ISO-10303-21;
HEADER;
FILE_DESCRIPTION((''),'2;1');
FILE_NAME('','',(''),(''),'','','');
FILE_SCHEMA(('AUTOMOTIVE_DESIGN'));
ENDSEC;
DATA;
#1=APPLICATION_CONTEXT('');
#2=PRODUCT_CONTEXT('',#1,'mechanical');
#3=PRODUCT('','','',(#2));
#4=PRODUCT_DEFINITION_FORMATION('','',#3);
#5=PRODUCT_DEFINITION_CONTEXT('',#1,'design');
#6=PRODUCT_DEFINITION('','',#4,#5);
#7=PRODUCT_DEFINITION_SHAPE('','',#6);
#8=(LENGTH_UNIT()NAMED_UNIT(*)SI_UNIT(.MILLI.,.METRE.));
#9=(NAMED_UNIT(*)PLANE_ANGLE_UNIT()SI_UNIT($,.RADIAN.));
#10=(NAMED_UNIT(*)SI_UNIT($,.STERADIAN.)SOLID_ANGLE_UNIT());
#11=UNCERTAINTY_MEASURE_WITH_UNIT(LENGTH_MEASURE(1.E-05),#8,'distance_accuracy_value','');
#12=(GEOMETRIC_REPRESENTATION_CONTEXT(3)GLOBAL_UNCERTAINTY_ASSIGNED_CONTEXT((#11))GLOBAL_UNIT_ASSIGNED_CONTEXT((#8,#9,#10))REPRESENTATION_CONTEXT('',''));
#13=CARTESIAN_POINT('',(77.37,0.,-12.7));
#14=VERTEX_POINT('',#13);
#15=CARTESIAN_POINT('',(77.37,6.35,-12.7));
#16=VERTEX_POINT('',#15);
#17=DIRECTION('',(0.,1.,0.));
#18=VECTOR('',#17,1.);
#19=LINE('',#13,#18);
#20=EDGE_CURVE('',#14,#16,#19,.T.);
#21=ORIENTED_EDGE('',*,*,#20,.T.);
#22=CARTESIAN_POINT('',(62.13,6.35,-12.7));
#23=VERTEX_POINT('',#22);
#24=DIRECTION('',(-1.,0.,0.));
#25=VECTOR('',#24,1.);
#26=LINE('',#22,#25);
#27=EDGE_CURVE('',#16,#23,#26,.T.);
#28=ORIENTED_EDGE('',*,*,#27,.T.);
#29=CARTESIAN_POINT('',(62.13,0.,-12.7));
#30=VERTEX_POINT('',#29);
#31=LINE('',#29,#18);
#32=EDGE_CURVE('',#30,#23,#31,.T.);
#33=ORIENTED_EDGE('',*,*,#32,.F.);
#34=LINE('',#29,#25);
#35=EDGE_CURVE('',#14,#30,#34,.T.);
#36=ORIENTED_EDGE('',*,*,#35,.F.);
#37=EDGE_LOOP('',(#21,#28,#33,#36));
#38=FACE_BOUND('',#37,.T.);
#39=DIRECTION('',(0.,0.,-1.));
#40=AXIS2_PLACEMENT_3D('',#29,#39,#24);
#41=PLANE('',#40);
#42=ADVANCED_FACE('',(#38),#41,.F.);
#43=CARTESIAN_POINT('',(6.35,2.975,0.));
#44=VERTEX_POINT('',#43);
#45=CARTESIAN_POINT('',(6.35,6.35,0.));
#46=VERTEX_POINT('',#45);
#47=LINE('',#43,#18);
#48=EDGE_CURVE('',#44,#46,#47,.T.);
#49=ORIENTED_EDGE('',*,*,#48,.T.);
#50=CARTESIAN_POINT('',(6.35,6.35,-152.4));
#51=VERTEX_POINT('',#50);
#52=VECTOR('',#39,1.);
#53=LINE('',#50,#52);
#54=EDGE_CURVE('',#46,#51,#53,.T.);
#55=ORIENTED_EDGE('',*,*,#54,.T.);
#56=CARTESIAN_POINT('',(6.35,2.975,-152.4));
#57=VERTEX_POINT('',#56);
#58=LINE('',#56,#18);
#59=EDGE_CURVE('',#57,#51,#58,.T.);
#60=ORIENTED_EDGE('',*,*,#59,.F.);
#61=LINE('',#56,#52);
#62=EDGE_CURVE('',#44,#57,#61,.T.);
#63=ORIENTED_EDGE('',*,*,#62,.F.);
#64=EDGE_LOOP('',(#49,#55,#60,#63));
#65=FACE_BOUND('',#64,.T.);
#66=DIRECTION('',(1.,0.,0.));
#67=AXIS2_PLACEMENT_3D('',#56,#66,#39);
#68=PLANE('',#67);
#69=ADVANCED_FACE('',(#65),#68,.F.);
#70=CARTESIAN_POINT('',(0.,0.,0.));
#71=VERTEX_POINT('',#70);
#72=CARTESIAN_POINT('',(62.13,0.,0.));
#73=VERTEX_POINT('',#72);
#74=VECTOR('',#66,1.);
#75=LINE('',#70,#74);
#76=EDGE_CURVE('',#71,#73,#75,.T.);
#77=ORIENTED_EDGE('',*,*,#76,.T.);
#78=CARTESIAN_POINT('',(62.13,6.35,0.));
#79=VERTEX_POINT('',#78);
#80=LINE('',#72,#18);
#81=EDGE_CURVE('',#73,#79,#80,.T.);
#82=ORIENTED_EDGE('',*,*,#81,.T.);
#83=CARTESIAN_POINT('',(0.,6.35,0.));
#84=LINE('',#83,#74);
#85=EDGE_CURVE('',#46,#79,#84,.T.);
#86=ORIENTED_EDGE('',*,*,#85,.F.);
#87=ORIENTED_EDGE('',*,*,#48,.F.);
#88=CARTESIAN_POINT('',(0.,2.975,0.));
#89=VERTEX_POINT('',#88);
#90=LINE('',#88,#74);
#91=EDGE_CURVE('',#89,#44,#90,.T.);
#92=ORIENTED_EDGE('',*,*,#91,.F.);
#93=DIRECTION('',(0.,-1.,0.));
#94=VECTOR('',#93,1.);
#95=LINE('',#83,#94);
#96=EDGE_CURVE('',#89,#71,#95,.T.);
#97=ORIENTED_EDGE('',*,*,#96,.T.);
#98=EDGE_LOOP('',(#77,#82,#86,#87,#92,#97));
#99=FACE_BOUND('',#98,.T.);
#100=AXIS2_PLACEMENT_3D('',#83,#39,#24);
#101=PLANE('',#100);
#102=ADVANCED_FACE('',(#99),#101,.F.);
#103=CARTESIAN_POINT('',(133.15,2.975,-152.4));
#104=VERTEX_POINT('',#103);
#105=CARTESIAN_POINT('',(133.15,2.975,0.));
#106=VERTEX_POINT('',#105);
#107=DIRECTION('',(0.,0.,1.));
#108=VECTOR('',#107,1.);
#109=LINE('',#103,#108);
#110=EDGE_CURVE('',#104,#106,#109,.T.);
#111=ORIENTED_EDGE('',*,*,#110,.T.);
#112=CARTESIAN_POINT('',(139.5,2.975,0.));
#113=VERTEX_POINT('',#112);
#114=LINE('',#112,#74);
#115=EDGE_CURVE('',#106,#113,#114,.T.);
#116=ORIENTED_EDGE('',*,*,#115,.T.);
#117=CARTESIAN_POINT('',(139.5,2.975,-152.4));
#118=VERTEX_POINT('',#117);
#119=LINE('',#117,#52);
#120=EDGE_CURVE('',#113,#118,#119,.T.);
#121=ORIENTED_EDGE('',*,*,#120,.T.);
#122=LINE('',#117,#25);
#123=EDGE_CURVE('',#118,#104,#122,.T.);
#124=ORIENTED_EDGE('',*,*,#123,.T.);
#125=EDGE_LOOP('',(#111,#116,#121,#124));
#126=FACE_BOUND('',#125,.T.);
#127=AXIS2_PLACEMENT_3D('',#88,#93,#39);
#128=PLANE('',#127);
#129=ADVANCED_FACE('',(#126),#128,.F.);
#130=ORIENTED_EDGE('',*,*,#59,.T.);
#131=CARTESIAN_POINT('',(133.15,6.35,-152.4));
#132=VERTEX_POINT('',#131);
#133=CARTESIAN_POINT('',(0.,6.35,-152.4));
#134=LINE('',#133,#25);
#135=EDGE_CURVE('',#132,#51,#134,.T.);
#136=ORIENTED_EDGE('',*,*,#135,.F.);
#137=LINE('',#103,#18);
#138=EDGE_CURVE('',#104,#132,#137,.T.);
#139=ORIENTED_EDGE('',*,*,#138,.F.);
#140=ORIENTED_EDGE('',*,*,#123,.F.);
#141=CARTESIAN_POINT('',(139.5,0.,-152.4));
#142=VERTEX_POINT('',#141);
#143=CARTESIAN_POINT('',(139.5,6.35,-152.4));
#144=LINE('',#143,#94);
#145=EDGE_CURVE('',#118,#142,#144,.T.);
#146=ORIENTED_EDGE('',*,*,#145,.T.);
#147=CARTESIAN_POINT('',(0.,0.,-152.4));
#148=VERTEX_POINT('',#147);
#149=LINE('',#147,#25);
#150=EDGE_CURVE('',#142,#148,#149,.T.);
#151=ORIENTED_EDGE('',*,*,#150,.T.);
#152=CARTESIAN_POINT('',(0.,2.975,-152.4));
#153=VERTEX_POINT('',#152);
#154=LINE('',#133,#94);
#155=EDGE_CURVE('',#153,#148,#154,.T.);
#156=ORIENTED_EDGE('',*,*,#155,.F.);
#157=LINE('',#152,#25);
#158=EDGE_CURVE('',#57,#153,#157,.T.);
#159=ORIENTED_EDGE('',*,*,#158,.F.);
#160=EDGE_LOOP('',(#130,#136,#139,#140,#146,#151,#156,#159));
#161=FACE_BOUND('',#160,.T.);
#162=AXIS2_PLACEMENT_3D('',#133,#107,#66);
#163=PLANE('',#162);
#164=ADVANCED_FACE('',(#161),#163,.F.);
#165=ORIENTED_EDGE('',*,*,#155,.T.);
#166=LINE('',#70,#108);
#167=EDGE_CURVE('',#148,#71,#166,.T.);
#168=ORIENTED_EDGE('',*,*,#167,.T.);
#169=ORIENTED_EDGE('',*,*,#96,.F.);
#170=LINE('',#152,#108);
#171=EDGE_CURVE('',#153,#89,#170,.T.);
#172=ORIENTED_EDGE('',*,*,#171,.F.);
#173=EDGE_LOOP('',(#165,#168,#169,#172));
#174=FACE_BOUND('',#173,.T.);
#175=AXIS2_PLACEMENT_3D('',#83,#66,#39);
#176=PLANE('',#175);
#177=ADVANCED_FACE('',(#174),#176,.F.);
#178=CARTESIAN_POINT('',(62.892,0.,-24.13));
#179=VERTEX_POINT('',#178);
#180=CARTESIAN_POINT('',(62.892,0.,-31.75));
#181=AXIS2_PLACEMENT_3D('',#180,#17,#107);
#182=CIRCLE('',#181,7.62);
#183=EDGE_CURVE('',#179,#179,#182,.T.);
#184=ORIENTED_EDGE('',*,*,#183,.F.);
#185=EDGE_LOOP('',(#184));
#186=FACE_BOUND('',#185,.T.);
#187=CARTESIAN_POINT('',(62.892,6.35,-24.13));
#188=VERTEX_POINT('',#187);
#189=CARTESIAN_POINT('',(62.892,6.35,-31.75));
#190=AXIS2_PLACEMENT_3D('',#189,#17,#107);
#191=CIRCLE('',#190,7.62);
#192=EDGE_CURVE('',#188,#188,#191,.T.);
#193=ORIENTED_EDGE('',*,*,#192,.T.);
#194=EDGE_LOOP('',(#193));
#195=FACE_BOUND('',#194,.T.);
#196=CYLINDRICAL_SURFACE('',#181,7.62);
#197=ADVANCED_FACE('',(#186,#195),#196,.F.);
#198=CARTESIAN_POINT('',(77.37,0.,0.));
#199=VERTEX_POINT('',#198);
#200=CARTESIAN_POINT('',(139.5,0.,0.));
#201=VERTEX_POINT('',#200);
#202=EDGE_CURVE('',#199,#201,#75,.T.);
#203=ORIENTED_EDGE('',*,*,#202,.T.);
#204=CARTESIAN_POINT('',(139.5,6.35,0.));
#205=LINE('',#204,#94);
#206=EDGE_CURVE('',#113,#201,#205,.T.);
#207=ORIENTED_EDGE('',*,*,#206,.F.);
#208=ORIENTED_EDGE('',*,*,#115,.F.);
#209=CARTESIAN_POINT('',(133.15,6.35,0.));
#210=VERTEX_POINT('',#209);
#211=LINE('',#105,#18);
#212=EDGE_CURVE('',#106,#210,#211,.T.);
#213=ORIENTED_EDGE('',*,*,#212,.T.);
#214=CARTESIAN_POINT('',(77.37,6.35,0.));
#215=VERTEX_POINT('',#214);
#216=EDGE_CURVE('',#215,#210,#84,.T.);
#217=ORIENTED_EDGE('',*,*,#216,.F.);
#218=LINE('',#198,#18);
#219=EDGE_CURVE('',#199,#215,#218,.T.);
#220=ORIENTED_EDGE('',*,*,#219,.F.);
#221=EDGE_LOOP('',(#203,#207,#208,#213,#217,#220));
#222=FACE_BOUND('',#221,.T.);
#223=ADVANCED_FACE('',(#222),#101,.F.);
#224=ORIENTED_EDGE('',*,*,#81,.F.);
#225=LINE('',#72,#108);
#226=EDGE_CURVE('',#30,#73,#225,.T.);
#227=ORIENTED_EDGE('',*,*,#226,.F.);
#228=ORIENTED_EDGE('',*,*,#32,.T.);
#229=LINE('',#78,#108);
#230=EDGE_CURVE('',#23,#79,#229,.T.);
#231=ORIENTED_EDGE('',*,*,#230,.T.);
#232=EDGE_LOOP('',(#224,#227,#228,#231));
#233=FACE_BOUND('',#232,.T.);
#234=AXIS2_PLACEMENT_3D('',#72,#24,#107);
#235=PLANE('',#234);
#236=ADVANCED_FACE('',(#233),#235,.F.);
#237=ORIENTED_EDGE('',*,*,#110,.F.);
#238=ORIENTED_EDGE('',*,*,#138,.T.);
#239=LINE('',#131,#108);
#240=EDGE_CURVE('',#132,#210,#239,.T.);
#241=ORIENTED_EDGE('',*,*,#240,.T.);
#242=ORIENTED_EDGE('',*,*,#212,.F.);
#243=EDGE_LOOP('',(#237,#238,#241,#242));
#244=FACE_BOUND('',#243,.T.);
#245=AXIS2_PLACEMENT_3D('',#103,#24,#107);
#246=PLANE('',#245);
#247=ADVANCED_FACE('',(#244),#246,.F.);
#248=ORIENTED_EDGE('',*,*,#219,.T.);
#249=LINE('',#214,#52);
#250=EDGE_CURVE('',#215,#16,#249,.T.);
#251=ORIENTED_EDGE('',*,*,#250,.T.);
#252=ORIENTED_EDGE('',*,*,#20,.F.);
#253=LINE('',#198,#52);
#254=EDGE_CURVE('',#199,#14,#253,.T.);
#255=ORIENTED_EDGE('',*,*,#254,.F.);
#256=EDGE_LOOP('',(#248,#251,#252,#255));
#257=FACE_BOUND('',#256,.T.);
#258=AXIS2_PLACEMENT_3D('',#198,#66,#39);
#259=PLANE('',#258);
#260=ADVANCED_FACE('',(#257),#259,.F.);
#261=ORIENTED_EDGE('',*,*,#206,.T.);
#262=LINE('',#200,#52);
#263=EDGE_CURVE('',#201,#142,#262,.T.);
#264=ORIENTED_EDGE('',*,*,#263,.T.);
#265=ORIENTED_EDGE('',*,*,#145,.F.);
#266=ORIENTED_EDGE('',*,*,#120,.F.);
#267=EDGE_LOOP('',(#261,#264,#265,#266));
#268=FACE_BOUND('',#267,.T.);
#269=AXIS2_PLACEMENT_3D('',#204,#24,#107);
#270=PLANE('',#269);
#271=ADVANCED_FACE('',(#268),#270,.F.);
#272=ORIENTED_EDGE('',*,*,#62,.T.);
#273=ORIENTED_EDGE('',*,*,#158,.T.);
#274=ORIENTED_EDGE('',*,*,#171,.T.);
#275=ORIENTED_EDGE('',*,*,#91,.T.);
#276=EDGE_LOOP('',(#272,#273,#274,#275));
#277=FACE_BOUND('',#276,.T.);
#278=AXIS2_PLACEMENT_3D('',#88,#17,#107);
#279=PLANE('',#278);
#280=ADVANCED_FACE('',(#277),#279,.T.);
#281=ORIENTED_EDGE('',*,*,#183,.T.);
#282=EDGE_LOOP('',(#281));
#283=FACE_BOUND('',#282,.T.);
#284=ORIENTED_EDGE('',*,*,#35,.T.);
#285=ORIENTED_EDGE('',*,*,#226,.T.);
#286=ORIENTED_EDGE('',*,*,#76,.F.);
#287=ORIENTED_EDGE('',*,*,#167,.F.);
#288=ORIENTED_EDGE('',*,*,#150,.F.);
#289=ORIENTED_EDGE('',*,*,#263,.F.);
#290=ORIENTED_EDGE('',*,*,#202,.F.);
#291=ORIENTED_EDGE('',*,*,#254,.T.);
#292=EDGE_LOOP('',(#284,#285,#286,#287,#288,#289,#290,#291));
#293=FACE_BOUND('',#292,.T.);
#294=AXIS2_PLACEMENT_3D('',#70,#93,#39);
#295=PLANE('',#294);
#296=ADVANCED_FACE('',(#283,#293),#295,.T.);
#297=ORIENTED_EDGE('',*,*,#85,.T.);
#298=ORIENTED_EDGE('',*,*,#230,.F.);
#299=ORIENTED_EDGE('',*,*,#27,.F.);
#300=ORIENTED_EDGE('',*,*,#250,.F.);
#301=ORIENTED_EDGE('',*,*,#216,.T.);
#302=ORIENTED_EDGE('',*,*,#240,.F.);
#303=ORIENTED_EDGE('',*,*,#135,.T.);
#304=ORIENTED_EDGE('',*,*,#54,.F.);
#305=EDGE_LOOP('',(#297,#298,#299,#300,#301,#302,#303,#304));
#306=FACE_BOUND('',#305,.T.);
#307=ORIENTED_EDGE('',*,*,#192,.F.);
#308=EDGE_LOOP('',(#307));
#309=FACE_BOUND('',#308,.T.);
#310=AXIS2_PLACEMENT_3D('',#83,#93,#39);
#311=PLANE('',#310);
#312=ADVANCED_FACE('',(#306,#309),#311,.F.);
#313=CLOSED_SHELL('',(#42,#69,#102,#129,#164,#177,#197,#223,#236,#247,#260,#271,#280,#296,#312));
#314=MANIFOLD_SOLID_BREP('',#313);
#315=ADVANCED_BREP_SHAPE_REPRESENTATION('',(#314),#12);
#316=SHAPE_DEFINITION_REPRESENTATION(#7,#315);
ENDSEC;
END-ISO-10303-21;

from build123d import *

# Parameters (mm, degrees)
SKETCH1_W           = 139.5
SKETCH1_H           = 152.4
BOSS_EXTRUDE1_DEPTH = 6.35
SKETCH2_W           = 6.35
SKETCH2_H           = 152.4
CUT_EXTRUDE1_DEPTH  = 3.375
SKETCH3_R           = 7.62
SKETCH3_W           = 15.24
SKETCH3_H           = 12.7
CUT_EXTRUDE2_DEPTH  = 7.35


with BuildPart() as part:
    # Sketch1 → Boss-Extrude1 (new body)
    with BuildSketch(Plane(origin=(0, 0, 0), x_dir=(1, 0, 0), z_dir=(0, 1, 0))):
        with Locations((69.75, 76.2)):
            Rectangle(SKETCH1_W, SKETCH1_H)
    extrude(amount=BOSS_EXTRUDE1_DEPTH)

    # Sketch2 → Cut-Extrude1 (cut)
    with BuildSketch(Plane(origin=(0, 6.35, 0), x_dir=(1, 0, 0), z_dir=(0, 1, 0))):
        with Locations((3.175, 76.2)):
            Rectangle(SKETCH2_W, SKETCH2_H)
        with Locations((136.325, 76.2)):
            Rectangle(SKETCH2_W, SKETCH2_H)
    extrude(amount=-CUT_EXTRUDE1_DEPTH, mode=Mode.SUBTRACT)

    # Sketch3 → Cut-Extrude2 (cut, through all)
    with BuildSketch(Plane(origin=(0, 6.35, 0), x_dir=(1, 0, 0), z_dir=(0, 1, 0))):
        with Locations((62.892, 31.75)):
            Circle(SKETCH3_R)
        with Locations((69.75, 6.35)):
            Rectangle(SKETCH3_W, SKETCH3_H)
    extrude(amount=-CUT_EXTRUDE2_DEPTH, mode=Mode.SUBTRACT)


solid = part.part
